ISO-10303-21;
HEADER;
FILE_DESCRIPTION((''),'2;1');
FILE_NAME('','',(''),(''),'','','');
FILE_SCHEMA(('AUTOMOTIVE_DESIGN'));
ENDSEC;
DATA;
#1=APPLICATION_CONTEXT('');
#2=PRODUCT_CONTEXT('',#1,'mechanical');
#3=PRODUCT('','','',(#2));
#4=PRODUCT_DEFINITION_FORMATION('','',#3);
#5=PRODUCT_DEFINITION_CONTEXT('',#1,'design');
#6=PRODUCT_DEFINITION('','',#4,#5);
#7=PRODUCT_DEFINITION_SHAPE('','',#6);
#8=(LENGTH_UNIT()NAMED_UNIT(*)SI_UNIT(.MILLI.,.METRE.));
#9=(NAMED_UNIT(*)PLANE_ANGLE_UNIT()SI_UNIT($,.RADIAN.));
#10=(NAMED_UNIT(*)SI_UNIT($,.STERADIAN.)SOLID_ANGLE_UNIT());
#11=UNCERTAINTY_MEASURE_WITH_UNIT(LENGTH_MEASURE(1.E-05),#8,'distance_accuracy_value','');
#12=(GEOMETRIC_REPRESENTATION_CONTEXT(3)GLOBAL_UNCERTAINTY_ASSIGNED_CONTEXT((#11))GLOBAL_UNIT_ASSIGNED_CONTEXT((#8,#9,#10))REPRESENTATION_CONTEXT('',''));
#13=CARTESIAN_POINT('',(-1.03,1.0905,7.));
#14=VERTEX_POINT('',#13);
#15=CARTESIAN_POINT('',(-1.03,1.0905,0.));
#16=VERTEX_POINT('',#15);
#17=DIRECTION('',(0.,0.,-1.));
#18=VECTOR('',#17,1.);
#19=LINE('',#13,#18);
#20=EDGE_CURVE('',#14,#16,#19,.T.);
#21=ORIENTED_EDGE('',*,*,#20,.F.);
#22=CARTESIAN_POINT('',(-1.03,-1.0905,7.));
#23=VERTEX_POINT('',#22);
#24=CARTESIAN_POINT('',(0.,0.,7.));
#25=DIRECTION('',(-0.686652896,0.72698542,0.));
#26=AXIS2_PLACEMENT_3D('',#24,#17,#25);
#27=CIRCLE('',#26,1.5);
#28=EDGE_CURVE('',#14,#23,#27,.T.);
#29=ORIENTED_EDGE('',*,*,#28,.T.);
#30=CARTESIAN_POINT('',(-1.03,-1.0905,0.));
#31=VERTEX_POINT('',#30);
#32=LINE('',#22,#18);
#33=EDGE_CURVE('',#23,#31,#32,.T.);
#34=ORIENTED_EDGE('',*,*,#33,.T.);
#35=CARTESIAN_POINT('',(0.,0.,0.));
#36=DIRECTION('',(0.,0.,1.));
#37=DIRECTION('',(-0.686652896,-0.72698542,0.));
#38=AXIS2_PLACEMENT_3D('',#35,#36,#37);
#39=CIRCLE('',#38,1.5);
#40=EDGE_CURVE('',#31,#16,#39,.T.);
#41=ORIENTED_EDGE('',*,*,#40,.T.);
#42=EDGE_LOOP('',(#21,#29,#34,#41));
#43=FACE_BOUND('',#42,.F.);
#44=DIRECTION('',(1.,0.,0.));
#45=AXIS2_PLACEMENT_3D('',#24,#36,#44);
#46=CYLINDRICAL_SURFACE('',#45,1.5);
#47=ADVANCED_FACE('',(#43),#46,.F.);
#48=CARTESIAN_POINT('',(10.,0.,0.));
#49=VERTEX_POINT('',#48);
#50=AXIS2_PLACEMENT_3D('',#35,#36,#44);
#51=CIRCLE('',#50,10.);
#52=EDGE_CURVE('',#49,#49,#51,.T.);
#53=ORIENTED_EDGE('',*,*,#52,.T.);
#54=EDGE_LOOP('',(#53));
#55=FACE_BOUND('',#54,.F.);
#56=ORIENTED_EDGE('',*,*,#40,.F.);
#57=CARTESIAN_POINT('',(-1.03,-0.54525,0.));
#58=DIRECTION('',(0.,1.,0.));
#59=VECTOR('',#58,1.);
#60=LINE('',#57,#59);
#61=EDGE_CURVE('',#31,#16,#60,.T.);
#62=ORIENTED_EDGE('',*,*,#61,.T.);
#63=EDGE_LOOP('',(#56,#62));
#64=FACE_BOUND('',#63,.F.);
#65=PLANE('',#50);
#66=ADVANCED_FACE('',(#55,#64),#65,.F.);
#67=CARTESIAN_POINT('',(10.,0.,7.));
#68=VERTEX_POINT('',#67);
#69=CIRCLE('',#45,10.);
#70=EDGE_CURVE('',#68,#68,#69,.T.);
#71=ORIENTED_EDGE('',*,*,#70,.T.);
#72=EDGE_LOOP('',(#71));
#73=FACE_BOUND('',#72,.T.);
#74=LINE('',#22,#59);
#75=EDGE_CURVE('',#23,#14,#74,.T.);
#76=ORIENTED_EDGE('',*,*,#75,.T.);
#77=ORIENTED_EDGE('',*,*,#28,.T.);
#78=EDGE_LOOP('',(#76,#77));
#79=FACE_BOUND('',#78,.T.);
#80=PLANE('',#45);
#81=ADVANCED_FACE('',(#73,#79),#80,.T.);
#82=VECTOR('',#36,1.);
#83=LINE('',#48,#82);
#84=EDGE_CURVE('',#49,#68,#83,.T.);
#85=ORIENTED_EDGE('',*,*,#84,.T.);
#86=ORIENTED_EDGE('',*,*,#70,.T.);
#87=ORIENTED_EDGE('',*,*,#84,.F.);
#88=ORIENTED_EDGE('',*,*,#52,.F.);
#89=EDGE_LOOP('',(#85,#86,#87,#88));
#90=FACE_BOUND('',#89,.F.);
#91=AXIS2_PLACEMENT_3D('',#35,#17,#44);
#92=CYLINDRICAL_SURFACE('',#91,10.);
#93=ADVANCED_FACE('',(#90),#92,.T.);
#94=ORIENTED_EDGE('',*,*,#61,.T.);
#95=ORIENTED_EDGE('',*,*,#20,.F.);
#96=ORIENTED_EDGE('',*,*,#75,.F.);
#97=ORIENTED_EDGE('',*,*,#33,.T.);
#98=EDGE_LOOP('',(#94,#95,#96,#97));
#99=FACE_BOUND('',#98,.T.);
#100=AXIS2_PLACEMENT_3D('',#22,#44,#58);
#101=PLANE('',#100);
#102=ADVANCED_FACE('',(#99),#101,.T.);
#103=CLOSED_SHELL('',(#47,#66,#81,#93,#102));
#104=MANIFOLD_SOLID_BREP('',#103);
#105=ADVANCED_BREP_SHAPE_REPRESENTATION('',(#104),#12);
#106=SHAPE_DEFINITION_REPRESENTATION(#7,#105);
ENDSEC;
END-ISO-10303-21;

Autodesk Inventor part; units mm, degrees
ref_plane "YZ Plane" through (0, 0, 0) normal (1, 0, 0) x (0, 1, 0)
ref_plane "XZ Plane" through (0, 0, 0) normal (0, 1, 0) x (-1, 0, 0)
ref_plane "XY Plane" through (0, 0, 0) normal (0, 0, 1) x (1, 0, 0)
sketch "Szkic1" plane through (0, 0, 0) normal (0, 0, 1) x (1, 0, 0)
  circle A0 centre (0, 0) radius 10
  dimension "d0" = 20
extrude "Wyciągnięcie proste1" add sketch "Szkic1" along normal blind 7
sketch "Szkic2" plane through (0, 0, 7) normal (0, 0, 1) x (1, 0, 0)
  circle A0 centre (0, 0) radius 1.5
  line L0 (-1.03, -1.0905) -> (-1.03, 1.0905)
  point P0 (-1.03, 0)
  dimension "d3" = 3
  dimension "d4" = 1.03
extrude "Wyciągnięcie proste2" cut sketch "Szkic2" against normal through all contours A0 L0 picked at (-0.0954, 0.4472)
properties part number "kolo"
